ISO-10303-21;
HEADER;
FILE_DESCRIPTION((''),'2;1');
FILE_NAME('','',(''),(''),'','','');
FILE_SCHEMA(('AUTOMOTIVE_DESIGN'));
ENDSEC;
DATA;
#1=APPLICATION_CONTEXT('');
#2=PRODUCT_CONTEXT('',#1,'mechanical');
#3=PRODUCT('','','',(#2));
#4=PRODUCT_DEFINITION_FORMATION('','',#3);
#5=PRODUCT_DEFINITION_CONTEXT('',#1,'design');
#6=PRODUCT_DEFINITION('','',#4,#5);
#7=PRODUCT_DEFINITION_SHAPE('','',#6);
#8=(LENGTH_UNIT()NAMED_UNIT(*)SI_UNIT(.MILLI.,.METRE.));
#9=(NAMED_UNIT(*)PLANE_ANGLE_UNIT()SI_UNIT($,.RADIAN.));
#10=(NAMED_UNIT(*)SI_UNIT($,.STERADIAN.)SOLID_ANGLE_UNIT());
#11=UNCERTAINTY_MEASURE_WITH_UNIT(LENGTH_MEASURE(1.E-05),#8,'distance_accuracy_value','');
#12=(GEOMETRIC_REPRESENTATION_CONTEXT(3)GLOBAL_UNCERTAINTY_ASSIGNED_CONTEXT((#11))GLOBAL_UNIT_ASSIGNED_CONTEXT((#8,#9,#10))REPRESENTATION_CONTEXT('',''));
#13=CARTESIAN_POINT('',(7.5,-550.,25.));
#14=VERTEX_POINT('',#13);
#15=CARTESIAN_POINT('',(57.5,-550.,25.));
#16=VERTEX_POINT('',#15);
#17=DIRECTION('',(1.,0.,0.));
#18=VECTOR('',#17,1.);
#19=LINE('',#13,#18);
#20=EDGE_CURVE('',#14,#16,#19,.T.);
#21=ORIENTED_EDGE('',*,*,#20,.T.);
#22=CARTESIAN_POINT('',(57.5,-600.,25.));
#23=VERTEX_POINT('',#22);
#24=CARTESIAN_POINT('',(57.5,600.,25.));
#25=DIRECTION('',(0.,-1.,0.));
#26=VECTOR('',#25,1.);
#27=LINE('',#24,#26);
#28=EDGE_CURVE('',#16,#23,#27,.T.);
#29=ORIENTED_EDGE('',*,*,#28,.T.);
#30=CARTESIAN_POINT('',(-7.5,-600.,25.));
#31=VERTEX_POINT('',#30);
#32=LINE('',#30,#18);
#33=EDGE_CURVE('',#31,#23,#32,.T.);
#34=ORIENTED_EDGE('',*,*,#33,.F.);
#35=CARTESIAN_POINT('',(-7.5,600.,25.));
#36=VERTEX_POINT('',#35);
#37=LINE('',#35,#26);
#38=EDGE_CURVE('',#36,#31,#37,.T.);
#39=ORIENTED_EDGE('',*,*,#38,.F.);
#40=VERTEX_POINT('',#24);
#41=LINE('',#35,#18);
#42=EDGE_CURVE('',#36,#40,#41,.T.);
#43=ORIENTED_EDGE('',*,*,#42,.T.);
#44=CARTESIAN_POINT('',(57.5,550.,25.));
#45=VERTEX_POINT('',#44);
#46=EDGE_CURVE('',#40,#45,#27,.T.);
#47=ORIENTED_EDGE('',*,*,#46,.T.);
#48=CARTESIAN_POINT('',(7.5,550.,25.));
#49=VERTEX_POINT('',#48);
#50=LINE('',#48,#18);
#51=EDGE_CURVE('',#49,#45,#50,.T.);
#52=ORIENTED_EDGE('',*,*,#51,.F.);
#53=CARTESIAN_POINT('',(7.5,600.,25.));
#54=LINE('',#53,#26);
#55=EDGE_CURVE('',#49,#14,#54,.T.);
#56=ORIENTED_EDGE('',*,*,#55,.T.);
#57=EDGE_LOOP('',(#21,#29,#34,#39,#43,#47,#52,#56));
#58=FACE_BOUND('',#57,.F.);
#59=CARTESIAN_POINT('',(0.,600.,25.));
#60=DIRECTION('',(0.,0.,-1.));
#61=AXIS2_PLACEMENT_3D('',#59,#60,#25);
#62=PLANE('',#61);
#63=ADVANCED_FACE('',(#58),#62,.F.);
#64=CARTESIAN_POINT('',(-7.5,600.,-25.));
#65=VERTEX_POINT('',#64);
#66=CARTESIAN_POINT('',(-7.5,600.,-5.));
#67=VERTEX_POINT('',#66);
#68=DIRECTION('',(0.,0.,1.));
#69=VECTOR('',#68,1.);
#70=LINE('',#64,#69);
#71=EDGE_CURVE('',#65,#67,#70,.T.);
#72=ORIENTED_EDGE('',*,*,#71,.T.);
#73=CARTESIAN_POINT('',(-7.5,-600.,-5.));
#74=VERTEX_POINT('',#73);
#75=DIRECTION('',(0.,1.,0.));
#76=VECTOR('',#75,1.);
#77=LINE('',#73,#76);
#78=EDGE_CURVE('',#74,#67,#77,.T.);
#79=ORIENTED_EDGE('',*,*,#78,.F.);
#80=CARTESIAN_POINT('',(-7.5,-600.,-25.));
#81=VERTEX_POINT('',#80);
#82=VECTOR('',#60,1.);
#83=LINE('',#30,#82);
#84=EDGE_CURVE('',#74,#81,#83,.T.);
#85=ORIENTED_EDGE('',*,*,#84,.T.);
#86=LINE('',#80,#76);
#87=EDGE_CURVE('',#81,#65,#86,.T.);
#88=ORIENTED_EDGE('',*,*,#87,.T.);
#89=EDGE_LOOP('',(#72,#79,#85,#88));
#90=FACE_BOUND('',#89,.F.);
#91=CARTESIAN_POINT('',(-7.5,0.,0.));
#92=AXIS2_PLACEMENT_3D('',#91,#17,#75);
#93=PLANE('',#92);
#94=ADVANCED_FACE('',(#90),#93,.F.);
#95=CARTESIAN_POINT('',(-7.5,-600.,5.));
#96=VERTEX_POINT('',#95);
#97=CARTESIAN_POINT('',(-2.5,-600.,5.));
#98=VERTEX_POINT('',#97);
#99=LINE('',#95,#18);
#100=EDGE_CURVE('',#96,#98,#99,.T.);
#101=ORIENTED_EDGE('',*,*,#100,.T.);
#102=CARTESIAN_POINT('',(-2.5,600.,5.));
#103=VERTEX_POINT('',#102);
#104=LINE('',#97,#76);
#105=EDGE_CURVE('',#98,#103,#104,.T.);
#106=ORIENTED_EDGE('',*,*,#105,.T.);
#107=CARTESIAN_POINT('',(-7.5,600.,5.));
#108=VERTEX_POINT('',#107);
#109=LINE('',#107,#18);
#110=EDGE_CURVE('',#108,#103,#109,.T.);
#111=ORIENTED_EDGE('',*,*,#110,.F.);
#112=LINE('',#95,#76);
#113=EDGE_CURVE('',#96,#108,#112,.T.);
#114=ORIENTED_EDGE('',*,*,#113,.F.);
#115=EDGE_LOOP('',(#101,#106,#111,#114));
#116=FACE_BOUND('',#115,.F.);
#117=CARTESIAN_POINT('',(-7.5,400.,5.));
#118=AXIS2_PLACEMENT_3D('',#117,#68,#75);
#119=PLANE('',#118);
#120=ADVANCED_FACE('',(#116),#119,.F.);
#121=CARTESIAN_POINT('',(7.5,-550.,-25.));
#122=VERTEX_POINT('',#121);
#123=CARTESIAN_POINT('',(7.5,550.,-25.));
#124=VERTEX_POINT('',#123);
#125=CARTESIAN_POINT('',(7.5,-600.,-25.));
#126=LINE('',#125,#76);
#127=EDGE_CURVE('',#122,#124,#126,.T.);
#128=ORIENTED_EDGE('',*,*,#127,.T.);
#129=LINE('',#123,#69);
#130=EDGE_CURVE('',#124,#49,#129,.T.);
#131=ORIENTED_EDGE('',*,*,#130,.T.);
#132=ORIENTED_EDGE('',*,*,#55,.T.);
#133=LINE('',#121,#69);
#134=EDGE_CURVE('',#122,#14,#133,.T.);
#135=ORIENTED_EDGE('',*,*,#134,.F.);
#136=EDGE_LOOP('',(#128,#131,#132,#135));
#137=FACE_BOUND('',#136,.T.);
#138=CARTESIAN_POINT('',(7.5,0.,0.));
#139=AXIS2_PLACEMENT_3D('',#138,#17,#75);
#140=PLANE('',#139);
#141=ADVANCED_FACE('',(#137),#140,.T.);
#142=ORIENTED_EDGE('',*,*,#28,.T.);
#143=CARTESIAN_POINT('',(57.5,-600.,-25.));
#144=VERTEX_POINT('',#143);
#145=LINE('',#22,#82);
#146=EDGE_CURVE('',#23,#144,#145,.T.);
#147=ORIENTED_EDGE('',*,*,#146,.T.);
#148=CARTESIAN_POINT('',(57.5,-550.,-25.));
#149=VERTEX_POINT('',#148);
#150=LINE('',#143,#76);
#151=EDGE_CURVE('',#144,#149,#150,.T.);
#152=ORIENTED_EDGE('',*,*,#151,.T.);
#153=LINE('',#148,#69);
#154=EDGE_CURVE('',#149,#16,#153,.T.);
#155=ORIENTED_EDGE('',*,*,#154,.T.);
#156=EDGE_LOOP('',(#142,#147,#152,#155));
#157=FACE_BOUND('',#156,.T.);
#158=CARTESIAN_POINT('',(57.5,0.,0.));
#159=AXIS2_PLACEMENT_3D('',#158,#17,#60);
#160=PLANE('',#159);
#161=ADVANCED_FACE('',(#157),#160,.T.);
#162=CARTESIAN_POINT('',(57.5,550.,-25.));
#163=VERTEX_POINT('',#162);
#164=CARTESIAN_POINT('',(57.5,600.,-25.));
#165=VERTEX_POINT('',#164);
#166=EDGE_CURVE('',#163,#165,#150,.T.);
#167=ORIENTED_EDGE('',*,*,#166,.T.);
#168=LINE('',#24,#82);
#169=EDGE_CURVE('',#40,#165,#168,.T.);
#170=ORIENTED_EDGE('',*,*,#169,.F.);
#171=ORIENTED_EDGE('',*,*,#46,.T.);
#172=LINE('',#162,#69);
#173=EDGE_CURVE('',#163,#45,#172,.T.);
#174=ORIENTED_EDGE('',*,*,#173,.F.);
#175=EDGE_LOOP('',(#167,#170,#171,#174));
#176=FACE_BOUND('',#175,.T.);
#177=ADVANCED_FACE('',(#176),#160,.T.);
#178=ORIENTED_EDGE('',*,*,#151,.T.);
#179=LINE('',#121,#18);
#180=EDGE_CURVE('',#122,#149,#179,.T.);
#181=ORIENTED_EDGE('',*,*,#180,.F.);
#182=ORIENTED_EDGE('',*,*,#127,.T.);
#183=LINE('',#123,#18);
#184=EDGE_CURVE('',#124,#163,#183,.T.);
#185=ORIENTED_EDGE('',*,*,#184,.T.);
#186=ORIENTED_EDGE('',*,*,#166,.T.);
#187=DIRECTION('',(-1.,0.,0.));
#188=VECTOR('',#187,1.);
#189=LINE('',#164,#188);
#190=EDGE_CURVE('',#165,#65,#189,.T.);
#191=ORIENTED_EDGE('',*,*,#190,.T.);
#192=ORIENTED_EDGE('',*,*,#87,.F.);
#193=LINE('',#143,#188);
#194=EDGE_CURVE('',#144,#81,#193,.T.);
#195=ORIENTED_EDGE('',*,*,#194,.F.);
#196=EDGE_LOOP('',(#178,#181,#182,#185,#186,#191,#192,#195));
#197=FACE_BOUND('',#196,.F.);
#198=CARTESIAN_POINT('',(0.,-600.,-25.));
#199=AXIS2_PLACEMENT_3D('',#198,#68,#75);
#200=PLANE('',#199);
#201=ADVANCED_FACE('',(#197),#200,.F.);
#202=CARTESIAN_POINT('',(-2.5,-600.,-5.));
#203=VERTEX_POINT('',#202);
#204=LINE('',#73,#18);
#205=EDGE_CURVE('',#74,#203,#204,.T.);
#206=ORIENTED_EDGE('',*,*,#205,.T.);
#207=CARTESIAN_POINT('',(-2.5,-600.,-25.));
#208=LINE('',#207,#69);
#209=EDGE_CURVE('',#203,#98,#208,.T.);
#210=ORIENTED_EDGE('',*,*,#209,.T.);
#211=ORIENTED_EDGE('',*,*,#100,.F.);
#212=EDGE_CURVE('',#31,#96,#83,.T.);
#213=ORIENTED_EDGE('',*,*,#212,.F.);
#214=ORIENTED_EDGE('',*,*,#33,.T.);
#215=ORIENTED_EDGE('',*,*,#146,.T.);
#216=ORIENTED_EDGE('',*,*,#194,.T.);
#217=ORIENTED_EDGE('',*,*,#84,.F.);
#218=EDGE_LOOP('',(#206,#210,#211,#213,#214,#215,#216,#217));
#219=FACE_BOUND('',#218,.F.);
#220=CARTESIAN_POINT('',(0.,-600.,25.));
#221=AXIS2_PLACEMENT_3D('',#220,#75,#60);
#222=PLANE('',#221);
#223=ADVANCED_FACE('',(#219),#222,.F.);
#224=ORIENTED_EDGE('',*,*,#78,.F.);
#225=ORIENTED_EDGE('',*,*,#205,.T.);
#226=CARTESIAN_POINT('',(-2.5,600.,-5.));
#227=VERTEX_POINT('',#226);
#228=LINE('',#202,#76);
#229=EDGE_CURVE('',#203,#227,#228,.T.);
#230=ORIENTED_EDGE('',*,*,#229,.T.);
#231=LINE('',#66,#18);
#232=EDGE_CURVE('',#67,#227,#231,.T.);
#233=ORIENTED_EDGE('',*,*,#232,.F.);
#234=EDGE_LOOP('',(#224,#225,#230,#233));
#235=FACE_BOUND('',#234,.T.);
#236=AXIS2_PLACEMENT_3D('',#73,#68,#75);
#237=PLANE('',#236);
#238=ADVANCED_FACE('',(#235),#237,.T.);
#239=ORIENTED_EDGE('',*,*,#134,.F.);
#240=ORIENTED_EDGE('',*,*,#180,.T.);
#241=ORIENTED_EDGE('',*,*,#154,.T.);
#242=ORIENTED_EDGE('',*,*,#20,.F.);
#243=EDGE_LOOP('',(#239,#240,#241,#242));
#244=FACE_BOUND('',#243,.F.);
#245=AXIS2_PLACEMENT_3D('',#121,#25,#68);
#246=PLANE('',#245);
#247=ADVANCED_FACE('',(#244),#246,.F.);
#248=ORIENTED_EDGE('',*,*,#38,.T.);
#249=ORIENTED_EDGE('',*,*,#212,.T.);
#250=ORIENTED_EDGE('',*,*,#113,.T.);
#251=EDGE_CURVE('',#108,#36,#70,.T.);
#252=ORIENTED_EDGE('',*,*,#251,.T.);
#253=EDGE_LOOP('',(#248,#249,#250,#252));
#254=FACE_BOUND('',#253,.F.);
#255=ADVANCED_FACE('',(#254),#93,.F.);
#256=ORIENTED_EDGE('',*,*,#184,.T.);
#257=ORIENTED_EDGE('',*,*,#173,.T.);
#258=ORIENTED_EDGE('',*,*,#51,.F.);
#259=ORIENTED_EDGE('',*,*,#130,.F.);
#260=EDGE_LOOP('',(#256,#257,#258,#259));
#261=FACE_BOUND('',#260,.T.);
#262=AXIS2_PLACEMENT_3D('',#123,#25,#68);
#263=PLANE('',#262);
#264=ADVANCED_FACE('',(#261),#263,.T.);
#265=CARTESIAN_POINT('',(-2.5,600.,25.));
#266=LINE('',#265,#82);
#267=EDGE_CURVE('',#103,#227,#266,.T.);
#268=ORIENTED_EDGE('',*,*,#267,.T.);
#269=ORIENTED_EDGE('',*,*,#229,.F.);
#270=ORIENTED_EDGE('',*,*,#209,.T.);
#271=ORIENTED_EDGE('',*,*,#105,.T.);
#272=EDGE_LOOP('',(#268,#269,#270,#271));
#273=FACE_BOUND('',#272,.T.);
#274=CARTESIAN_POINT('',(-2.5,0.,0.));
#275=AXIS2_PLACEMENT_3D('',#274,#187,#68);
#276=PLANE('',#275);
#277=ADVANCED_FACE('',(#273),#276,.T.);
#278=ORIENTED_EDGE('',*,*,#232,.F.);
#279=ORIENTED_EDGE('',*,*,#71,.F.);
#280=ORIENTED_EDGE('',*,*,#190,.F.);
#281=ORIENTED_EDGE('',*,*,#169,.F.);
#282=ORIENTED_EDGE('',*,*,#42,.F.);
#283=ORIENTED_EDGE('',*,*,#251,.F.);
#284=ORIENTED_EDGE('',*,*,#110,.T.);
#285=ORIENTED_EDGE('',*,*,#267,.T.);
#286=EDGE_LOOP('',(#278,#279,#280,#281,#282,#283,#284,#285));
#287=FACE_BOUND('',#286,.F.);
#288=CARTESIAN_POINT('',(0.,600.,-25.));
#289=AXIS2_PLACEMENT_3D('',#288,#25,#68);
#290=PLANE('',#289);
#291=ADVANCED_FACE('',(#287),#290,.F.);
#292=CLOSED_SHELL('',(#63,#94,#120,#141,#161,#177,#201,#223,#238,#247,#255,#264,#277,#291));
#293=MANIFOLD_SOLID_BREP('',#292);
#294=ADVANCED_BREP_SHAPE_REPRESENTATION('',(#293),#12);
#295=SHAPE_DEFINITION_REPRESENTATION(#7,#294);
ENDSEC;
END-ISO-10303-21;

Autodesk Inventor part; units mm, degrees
ref_plane "YZ Plane" through (0, 0, 0) normal (1, 0, 0) x (0, 1, 0)
ref_plane "XZ Plane" through (0, 0, 0) normal (0, 1, 0) x (-1, 0, 0)
ref_plane "XY Plane" through (0, 0, 0) normal (0, 0, 1) x (1, 0, 0)
sketch "草图1" plane through (0, 0, 0) normal (1, 0, 0) x (0, 1, 0)
  line L0 (600, 25) -> (-600, 25)
  line L1 (-600, 25) -> (-600, -25)
  line L2 (-600, -25) -> (600, -25)
  line L3 (600, -25) -> (600, 25)
  line L4 (600, 25) -> (-600, -25) construction
  line L5 (-600, 25) -> (600, -25) construction
  point P0 (0, 0)
  dimension "d0" = 1200
  dimension "d1" = 50
extrude "拉伸1" add sketch "草图1" along normal mid plane 15
sketch "草图2" plane through (7.5, 0, 0) normal (1, 0, 0) x (0, 0, -1)
  line L0 (-25, 600) -> (-25, -600) projected
  line L1 (25, -600) -> (25, 600) projected
  line L2 (-25, 600) -> (25, 600)
  line L3 (25, 600) -> (25, 550)
  line L4 (25, 550) -> (-25, 550)
  line L5 (-25, 550) -> (-25, 600)
  line L6 (-25, -600) -> (25, -600)
  line L7 (25, -600) -> (25, -550)
  line L8 (25, -550) -> (-25, -550)
  line L9 (-25, -550) -> (-25, -600)
  point P0 (0, 0)
  point P1 (-25, -550)
  point P2 (-25, 550)
extrude "拉伸2" add sketch "草图2" along normal blind 50 contours L2 L1 L4 L0 | L8 L1 L6 L0
sketch "草图3" plane through (-7.5, 0, 0) normal (-1, 0, 0) x (0, 0, 1)
  line L0 (-25, 600) -> (-25, -600) projected
  line L1 (-25, -600) -> (-5, -600)
  line L2 (-25, -600) -> (25, -600) projected
  line L3 (25, -600) -> (5, -600)
  line L4 (-5, -600) -> (-5, 600)
  line L5 (25, 600) -> (-25, 600) projected
  line L6 (5, 400) -> (5, -600)
  line L7 (25, 550) -> (25, -550) projected
  line L8 (5, 400) -> (5, 600)
  line L9 (-25, 600) -> (25, 600) projected
  point P0 (0, 0)
  point P1 (5, 500)
extrude "拉伸3" cut sketch "草图3" against normal blind 5 contours L5 L8 L6 L2 L4
properties part number "竖直滑台"
